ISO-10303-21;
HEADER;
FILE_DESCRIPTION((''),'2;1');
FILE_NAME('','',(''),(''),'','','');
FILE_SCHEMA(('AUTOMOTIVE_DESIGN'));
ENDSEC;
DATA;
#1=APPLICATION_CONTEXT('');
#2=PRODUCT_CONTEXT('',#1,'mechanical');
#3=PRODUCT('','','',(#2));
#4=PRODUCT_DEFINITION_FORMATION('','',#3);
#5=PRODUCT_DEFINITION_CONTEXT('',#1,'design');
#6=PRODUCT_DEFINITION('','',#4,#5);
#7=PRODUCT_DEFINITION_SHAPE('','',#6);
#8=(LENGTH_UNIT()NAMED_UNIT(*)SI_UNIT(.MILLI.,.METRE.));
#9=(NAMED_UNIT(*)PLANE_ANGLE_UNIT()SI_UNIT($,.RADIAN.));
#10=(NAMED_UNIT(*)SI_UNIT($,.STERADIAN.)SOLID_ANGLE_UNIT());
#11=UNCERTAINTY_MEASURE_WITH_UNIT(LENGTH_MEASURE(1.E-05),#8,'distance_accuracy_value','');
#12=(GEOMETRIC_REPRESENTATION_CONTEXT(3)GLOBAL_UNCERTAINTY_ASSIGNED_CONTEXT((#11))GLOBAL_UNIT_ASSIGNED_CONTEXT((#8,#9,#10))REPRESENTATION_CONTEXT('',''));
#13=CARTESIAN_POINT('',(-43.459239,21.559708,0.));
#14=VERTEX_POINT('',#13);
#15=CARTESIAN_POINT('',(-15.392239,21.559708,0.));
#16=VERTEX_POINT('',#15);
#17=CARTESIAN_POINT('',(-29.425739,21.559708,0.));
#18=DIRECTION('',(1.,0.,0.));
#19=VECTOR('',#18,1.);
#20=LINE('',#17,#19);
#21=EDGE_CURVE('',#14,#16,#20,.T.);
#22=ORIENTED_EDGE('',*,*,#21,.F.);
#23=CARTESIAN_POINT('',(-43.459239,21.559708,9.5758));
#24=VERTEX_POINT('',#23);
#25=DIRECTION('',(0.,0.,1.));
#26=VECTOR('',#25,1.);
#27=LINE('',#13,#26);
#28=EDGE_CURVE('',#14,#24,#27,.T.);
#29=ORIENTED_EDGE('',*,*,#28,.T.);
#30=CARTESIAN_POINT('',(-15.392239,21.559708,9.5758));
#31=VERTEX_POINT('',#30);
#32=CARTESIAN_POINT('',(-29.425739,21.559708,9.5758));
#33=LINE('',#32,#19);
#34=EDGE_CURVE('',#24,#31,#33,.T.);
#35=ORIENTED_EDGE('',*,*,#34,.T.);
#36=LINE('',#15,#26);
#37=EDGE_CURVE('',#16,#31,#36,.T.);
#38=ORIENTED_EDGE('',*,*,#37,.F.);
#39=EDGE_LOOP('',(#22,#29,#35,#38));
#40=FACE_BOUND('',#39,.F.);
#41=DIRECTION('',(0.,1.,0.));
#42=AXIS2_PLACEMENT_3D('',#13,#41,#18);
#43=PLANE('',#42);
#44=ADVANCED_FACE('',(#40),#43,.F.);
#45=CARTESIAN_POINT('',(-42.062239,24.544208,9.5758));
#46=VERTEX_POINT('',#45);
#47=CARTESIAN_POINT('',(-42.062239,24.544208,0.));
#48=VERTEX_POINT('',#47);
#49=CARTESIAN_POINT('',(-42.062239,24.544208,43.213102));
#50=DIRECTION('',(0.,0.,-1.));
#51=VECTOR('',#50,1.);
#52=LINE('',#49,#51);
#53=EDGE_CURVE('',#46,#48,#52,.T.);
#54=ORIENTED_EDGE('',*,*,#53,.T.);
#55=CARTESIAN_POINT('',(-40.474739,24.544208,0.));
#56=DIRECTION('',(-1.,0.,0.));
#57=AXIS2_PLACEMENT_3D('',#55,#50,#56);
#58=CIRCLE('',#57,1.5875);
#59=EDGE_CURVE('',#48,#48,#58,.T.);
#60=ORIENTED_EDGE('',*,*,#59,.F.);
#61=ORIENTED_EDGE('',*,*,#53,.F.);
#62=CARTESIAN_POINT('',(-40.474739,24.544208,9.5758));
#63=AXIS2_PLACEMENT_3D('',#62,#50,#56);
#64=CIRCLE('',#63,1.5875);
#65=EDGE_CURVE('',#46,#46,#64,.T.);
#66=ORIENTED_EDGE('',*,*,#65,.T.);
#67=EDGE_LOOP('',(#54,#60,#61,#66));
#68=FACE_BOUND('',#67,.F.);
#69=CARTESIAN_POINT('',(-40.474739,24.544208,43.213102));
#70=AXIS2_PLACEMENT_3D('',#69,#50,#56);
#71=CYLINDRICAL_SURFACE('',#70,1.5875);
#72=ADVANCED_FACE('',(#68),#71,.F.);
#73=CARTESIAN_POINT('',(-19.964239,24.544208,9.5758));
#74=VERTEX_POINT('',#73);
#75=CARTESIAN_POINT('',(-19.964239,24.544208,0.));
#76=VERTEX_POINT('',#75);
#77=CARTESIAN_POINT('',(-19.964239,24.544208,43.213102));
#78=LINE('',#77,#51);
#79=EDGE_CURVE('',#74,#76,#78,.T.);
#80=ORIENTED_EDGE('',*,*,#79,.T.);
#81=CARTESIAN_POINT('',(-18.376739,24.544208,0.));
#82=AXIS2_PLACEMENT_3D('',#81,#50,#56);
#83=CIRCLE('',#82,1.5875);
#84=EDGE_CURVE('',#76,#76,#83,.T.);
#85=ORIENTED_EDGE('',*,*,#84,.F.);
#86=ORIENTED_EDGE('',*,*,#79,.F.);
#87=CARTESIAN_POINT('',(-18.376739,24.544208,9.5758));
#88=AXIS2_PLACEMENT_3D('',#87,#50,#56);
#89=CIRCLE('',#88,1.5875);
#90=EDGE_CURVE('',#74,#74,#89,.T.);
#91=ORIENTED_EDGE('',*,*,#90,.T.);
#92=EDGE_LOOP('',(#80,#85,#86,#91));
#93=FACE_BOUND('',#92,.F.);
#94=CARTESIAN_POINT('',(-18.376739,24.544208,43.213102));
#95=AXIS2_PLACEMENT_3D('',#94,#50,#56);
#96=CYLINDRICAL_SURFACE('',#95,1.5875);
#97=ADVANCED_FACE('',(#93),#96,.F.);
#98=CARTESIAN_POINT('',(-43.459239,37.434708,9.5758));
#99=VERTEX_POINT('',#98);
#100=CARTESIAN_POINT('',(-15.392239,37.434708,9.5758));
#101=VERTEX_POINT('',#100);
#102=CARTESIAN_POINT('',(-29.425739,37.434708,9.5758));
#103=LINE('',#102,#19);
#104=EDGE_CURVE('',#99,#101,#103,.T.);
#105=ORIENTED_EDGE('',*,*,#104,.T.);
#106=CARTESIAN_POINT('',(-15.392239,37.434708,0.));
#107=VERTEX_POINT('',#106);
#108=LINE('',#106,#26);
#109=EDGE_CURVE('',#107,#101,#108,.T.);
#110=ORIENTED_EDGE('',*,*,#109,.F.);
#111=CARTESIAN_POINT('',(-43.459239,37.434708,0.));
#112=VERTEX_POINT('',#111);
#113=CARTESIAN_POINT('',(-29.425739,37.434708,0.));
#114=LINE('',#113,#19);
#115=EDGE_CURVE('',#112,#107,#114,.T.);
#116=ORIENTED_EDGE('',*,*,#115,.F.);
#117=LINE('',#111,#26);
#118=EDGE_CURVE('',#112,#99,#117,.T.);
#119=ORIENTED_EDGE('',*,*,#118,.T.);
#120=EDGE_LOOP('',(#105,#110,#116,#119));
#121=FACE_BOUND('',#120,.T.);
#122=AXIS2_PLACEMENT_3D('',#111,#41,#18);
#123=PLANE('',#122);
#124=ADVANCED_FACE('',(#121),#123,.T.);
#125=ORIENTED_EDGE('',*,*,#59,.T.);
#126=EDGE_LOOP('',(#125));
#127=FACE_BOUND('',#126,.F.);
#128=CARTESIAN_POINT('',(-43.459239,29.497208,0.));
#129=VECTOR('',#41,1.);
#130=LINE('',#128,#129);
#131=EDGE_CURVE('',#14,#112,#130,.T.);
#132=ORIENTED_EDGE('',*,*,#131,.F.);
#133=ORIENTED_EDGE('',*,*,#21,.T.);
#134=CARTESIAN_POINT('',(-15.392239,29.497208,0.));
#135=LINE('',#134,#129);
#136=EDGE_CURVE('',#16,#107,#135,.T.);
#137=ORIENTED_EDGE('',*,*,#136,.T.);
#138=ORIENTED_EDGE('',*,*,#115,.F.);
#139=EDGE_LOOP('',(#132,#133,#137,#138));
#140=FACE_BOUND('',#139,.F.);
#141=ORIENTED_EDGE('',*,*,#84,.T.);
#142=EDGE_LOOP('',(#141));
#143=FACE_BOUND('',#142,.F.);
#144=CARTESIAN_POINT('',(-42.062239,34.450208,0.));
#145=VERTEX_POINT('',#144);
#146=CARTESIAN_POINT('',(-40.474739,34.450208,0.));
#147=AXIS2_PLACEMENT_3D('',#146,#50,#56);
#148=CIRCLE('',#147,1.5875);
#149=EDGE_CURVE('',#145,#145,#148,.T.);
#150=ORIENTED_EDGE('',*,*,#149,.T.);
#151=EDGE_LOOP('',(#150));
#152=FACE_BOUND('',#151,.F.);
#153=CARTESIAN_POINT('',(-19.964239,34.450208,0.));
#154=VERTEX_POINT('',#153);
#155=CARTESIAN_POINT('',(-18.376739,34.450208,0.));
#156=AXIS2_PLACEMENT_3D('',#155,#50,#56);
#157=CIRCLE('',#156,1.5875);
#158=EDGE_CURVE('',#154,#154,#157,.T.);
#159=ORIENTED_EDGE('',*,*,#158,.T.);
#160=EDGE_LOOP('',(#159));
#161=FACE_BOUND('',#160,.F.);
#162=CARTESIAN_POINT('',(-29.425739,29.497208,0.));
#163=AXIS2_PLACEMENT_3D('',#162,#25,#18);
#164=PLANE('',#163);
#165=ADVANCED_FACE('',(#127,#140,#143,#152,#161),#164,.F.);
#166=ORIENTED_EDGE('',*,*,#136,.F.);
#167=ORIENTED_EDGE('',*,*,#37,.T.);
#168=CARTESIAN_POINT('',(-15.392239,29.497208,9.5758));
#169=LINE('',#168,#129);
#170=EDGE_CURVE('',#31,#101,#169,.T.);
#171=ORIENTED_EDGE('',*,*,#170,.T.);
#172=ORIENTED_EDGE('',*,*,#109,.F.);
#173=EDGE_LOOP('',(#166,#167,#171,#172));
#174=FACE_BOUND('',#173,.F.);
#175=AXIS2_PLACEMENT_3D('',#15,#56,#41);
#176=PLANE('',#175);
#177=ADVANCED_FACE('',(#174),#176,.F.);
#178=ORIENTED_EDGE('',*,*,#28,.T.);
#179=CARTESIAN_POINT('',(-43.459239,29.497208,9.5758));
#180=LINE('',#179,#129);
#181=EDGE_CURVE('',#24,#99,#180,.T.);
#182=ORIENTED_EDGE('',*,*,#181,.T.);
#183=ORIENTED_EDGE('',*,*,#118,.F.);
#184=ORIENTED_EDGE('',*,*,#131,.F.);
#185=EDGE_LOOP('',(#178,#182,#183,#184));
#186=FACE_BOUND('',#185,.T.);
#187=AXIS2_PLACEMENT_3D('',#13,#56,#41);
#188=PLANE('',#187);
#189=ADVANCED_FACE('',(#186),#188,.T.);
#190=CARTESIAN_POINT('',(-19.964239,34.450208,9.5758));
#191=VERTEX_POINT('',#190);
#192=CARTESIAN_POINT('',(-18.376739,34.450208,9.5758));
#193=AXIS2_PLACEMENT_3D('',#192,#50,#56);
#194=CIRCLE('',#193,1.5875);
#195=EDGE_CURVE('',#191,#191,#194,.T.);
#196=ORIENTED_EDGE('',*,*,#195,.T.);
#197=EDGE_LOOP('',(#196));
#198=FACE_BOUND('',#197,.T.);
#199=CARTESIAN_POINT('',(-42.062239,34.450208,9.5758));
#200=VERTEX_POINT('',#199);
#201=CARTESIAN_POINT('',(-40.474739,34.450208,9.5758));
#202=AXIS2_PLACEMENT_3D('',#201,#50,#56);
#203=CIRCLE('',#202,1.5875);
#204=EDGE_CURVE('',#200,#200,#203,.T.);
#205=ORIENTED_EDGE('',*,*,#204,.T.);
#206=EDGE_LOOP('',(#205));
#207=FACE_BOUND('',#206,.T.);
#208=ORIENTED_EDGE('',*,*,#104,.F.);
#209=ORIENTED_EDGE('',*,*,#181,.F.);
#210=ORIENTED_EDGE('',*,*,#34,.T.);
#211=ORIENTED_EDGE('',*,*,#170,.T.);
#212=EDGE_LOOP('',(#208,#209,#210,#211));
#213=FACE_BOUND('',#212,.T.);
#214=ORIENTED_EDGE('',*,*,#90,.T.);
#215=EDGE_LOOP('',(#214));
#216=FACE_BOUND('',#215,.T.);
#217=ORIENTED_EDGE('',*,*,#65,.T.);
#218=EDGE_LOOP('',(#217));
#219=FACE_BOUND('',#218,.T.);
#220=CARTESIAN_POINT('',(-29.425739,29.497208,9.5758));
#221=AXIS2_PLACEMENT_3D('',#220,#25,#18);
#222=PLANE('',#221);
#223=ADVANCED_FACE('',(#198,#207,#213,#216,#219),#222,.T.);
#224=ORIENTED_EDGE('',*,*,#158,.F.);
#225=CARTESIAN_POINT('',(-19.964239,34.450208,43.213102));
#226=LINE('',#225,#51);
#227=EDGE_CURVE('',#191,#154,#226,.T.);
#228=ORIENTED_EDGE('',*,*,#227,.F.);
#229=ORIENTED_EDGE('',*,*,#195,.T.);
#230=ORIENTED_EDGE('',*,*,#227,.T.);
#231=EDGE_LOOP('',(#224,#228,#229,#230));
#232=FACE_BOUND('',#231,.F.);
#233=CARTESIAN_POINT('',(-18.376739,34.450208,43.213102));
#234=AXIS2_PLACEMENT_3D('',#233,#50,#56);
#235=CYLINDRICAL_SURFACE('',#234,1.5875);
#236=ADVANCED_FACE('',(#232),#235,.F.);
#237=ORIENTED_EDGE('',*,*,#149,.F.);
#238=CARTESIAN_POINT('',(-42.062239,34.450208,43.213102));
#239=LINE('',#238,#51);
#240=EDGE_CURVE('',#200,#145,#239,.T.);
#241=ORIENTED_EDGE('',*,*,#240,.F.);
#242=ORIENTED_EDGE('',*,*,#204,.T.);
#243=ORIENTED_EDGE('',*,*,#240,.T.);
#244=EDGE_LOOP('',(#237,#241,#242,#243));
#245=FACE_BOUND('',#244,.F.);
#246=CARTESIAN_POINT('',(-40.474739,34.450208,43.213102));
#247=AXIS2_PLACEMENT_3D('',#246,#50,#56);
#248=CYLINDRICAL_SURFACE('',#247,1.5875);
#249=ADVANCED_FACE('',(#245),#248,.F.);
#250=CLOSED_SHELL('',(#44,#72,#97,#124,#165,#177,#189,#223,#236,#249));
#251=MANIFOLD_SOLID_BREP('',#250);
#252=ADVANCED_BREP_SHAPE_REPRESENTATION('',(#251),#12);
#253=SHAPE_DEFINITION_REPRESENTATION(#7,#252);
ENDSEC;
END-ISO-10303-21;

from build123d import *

# Parameters (mm, degrees)
F0_W     = 28.067
F0_H     = 15.875
F1_DEPTH = 9.5758
F3_D     = 3.175


with BuildPart() as f1:
    # F0 (on Top) → F1 (new body)
    with BuildSketch(Plane.XY):
        with Locations((-29.425739, 29.497208)):
            Rectangle(F0_W, F0_H)
    extrude(amount=F1_DEPTH)

    # F3 (through all)
    with Locations(Plane.XY.offset(9.5758)):
        with Locations((-40.474739, 34.450208), (-40.474739, 24.544208), (-18.376739, 24.544208), (-18.376739, 34.450208)):
            Hole(F3_D / 2)


solid = f1.part
